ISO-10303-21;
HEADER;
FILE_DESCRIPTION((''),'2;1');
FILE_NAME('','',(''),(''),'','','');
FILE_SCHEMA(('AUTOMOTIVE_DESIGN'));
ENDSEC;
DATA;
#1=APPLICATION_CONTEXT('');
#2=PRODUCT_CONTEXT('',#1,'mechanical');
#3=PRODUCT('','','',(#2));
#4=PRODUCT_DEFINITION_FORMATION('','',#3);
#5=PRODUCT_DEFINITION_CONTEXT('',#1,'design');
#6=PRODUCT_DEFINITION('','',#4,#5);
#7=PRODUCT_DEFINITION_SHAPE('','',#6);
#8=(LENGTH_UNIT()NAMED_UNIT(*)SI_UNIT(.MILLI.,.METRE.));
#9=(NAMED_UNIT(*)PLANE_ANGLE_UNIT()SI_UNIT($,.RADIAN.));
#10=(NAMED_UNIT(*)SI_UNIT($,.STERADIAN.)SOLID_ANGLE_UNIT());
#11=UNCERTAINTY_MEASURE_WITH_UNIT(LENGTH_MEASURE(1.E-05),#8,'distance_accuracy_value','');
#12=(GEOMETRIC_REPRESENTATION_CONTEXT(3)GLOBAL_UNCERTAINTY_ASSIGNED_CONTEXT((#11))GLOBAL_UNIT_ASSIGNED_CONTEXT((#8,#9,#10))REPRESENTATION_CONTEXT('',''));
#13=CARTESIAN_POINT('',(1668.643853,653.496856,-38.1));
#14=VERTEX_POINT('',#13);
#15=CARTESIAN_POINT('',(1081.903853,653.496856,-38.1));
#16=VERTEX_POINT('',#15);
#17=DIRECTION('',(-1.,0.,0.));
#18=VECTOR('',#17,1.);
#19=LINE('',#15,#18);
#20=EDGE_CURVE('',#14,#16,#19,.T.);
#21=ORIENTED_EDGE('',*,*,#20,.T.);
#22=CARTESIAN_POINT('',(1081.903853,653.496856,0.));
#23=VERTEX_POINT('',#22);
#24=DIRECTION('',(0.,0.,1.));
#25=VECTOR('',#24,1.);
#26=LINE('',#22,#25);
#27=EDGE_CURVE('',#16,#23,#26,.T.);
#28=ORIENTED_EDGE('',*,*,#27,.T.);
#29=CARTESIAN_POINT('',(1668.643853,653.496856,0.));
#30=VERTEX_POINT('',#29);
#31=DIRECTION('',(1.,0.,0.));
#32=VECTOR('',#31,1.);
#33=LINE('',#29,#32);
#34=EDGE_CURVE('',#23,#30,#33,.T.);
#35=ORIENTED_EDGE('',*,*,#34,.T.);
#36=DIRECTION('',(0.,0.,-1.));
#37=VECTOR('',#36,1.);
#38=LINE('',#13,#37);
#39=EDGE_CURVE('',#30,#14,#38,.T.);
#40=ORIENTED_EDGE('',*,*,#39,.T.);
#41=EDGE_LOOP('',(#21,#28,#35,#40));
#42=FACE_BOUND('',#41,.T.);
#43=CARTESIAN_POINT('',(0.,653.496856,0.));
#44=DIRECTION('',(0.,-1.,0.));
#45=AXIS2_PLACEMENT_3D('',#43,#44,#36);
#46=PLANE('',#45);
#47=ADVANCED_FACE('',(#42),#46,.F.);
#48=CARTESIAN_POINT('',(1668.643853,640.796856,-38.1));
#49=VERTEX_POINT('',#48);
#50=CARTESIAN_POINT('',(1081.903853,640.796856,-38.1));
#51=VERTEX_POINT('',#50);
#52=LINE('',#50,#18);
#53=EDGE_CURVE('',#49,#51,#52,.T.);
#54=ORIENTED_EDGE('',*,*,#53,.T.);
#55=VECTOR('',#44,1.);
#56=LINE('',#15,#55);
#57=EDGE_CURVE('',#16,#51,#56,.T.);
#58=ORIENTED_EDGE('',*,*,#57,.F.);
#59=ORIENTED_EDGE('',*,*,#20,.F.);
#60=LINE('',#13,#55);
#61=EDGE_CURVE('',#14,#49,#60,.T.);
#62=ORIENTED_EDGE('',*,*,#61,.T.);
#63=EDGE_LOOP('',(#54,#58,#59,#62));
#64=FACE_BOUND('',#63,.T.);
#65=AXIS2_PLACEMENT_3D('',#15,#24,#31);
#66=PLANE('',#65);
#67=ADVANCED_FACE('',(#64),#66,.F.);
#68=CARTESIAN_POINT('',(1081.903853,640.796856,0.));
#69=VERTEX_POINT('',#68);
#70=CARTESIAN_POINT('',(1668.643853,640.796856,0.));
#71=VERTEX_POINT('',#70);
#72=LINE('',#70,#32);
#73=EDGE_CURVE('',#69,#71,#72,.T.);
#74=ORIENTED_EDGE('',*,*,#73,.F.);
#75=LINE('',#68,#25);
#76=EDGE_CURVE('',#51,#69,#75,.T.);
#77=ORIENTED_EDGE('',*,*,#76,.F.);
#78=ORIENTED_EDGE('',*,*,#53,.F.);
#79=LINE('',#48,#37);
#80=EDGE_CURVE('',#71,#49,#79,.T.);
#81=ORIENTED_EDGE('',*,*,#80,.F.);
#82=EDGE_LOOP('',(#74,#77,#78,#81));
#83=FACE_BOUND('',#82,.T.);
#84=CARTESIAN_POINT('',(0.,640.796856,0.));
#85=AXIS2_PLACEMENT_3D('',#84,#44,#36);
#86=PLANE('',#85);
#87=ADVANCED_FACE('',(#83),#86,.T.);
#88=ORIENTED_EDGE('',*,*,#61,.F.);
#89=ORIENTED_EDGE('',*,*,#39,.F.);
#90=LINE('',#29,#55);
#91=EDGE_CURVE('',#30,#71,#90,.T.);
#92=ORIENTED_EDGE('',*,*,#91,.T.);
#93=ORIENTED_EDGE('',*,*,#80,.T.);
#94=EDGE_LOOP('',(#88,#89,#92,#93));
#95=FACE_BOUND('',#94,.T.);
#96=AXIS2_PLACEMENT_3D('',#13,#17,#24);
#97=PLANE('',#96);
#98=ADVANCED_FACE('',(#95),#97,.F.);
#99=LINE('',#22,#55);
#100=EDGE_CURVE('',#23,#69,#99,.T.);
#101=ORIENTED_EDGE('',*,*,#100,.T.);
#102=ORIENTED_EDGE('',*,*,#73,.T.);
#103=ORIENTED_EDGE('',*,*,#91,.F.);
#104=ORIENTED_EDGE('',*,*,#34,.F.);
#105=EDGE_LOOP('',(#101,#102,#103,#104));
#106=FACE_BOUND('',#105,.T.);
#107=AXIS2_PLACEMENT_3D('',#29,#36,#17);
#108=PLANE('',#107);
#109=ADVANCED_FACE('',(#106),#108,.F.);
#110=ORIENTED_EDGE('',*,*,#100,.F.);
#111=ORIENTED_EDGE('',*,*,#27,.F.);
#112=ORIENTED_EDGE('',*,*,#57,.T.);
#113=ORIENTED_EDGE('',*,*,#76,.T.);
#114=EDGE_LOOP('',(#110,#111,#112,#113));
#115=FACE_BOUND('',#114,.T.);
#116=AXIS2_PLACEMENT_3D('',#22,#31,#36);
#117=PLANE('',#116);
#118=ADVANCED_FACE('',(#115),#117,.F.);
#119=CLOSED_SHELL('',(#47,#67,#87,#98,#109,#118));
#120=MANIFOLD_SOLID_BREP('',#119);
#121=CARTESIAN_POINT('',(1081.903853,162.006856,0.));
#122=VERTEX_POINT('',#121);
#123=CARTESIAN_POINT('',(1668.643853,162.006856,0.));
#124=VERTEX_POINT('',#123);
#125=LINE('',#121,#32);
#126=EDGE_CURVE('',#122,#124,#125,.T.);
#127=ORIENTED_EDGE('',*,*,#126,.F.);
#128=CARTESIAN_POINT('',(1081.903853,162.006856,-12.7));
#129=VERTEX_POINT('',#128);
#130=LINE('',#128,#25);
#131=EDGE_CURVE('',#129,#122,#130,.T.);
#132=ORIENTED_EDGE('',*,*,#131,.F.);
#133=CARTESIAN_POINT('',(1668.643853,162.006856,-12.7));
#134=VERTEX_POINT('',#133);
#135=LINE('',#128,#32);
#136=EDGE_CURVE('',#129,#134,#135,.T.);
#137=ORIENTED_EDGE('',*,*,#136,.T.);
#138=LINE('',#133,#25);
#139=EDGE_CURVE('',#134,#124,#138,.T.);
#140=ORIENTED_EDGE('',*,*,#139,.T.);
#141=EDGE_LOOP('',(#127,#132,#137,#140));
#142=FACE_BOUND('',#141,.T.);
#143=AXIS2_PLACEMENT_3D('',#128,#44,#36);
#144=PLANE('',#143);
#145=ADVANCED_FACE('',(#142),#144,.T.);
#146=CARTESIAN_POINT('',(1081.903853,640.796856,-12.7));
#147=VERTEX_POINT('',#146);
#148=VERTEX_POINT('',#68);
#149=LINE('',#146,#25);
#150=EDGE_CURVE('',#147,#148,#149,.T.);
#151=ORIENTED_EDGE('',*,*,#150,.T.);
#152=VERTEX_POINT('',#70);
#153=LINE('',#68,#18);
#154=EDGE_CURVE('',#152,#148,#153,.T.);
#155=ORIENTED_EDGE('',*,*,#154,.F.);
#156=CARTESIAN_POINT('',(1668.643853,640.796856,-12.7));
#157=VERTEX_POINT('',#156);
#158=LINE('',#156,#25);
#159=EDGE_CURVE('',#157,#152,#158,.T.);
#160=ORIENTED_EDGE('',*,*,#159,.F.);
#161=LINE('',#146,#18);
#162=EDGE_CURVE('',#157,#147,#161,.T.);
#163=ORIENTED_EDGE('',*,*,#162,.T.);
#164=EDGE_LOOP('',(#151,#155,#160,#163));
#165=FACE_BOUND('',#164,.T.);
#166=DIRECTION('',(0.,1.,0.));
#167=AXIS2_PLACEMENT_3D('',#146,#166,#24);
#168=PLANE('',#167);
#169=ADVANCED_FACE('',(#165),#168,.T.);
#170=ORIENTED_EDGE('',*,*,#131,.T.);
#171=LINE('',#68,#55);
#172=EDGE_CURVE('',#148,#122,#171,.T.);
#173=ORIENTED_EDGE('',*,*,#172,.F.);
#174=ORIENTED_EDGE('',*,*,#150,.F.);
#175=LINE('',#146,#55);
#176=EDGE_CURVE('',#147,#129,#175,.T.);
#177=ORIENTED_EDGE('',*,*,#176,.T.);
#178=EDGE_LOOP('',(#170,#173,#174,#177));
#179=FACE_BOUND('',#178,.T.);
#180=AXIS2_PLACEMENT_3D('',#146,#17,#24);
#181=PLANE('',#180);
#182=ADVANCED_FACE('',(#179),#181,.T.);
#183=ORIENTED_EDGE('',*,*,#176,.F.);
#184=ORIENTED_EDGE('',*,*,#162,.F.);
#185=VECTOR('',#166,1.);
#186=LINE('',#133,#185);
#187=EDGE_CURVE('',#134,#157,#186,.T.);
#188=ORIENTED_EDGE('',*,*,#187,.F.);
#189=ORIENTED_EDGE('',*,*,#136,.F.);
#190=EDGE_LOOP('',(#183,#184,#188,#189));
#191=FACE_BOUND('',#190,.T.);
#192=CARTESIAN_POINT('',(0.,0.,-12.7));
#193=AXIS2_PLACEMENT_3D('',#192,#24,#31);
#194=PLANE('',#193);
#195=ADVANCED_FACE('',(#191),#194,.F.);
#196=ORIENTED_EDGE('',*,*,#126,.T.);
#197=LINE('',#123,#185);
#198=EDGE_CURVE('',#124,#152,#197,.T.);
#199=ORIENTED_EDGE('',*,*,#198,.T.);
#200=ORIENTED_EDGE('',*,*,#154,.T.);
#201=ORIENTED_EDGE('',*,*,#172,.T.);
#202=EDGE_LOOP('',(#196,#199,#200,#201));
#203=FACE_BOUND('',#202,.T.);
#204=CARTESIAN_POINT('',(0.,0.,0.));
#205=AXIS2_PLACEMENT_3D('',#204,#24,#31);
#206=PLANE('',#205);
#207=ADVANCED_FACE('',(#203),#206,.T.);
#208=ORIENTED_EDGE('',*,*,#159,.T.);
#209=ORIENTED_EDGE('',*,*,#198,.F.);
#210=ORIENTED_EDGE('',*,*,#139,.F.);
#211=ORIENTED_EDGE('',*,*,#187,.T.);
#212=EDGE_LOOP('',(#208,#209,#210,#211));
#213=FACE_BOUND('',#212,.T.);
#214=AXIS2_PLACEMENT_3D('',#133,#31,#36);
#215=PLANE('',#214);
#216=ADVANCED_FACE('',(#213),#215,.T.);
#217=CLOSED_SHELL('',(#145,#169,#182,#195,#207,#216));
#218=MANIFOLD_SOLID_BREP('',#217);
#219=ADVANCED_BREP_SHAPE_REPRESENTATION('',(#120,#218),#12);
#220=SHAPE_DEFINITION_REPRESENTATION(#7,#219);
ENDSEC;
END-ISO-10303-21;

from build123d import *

# Parameters (mm, degrees)
SKETCH1_W           = 586.74
SKETCH1_H           = 478.79
BOSS_EXTRUDE1_DEPTH = 12.7
SKETCH2_W           = 586.74
SKETCH2_H           = 38.1
BOSS_EXTRUDE2_DEPTH = 12.7


with BuildPart() as part:
    # Sketch1 → Boss-Extrude1 (new body)
    with BuildSketch(Plane.XY):
        with Locations((1375.27385267, 401.401856284)):
            Rectangle(SKETCH1_W, SKETCH1_H)
    extrude(amount=-BOSS_EXTRUDE1_DEPTH)


with BuildPart() as body_2:
    # Sketch2 → Boss-Extrude2 (new body)
    with BuildSketch(Plane(origin=(0, 640.796856284, 0), x_dir=(1, 0, 0), z_dir=(0, 1, 0))):
        with Locations((1375.27385267, 19.05)):
            Rectangle(SKETCH2_W, SKETCH2_H)
    extrude(amount=BOSS_EXTRUDE2_DEPTH)


solid = Compound([part.part, body_2.part])
